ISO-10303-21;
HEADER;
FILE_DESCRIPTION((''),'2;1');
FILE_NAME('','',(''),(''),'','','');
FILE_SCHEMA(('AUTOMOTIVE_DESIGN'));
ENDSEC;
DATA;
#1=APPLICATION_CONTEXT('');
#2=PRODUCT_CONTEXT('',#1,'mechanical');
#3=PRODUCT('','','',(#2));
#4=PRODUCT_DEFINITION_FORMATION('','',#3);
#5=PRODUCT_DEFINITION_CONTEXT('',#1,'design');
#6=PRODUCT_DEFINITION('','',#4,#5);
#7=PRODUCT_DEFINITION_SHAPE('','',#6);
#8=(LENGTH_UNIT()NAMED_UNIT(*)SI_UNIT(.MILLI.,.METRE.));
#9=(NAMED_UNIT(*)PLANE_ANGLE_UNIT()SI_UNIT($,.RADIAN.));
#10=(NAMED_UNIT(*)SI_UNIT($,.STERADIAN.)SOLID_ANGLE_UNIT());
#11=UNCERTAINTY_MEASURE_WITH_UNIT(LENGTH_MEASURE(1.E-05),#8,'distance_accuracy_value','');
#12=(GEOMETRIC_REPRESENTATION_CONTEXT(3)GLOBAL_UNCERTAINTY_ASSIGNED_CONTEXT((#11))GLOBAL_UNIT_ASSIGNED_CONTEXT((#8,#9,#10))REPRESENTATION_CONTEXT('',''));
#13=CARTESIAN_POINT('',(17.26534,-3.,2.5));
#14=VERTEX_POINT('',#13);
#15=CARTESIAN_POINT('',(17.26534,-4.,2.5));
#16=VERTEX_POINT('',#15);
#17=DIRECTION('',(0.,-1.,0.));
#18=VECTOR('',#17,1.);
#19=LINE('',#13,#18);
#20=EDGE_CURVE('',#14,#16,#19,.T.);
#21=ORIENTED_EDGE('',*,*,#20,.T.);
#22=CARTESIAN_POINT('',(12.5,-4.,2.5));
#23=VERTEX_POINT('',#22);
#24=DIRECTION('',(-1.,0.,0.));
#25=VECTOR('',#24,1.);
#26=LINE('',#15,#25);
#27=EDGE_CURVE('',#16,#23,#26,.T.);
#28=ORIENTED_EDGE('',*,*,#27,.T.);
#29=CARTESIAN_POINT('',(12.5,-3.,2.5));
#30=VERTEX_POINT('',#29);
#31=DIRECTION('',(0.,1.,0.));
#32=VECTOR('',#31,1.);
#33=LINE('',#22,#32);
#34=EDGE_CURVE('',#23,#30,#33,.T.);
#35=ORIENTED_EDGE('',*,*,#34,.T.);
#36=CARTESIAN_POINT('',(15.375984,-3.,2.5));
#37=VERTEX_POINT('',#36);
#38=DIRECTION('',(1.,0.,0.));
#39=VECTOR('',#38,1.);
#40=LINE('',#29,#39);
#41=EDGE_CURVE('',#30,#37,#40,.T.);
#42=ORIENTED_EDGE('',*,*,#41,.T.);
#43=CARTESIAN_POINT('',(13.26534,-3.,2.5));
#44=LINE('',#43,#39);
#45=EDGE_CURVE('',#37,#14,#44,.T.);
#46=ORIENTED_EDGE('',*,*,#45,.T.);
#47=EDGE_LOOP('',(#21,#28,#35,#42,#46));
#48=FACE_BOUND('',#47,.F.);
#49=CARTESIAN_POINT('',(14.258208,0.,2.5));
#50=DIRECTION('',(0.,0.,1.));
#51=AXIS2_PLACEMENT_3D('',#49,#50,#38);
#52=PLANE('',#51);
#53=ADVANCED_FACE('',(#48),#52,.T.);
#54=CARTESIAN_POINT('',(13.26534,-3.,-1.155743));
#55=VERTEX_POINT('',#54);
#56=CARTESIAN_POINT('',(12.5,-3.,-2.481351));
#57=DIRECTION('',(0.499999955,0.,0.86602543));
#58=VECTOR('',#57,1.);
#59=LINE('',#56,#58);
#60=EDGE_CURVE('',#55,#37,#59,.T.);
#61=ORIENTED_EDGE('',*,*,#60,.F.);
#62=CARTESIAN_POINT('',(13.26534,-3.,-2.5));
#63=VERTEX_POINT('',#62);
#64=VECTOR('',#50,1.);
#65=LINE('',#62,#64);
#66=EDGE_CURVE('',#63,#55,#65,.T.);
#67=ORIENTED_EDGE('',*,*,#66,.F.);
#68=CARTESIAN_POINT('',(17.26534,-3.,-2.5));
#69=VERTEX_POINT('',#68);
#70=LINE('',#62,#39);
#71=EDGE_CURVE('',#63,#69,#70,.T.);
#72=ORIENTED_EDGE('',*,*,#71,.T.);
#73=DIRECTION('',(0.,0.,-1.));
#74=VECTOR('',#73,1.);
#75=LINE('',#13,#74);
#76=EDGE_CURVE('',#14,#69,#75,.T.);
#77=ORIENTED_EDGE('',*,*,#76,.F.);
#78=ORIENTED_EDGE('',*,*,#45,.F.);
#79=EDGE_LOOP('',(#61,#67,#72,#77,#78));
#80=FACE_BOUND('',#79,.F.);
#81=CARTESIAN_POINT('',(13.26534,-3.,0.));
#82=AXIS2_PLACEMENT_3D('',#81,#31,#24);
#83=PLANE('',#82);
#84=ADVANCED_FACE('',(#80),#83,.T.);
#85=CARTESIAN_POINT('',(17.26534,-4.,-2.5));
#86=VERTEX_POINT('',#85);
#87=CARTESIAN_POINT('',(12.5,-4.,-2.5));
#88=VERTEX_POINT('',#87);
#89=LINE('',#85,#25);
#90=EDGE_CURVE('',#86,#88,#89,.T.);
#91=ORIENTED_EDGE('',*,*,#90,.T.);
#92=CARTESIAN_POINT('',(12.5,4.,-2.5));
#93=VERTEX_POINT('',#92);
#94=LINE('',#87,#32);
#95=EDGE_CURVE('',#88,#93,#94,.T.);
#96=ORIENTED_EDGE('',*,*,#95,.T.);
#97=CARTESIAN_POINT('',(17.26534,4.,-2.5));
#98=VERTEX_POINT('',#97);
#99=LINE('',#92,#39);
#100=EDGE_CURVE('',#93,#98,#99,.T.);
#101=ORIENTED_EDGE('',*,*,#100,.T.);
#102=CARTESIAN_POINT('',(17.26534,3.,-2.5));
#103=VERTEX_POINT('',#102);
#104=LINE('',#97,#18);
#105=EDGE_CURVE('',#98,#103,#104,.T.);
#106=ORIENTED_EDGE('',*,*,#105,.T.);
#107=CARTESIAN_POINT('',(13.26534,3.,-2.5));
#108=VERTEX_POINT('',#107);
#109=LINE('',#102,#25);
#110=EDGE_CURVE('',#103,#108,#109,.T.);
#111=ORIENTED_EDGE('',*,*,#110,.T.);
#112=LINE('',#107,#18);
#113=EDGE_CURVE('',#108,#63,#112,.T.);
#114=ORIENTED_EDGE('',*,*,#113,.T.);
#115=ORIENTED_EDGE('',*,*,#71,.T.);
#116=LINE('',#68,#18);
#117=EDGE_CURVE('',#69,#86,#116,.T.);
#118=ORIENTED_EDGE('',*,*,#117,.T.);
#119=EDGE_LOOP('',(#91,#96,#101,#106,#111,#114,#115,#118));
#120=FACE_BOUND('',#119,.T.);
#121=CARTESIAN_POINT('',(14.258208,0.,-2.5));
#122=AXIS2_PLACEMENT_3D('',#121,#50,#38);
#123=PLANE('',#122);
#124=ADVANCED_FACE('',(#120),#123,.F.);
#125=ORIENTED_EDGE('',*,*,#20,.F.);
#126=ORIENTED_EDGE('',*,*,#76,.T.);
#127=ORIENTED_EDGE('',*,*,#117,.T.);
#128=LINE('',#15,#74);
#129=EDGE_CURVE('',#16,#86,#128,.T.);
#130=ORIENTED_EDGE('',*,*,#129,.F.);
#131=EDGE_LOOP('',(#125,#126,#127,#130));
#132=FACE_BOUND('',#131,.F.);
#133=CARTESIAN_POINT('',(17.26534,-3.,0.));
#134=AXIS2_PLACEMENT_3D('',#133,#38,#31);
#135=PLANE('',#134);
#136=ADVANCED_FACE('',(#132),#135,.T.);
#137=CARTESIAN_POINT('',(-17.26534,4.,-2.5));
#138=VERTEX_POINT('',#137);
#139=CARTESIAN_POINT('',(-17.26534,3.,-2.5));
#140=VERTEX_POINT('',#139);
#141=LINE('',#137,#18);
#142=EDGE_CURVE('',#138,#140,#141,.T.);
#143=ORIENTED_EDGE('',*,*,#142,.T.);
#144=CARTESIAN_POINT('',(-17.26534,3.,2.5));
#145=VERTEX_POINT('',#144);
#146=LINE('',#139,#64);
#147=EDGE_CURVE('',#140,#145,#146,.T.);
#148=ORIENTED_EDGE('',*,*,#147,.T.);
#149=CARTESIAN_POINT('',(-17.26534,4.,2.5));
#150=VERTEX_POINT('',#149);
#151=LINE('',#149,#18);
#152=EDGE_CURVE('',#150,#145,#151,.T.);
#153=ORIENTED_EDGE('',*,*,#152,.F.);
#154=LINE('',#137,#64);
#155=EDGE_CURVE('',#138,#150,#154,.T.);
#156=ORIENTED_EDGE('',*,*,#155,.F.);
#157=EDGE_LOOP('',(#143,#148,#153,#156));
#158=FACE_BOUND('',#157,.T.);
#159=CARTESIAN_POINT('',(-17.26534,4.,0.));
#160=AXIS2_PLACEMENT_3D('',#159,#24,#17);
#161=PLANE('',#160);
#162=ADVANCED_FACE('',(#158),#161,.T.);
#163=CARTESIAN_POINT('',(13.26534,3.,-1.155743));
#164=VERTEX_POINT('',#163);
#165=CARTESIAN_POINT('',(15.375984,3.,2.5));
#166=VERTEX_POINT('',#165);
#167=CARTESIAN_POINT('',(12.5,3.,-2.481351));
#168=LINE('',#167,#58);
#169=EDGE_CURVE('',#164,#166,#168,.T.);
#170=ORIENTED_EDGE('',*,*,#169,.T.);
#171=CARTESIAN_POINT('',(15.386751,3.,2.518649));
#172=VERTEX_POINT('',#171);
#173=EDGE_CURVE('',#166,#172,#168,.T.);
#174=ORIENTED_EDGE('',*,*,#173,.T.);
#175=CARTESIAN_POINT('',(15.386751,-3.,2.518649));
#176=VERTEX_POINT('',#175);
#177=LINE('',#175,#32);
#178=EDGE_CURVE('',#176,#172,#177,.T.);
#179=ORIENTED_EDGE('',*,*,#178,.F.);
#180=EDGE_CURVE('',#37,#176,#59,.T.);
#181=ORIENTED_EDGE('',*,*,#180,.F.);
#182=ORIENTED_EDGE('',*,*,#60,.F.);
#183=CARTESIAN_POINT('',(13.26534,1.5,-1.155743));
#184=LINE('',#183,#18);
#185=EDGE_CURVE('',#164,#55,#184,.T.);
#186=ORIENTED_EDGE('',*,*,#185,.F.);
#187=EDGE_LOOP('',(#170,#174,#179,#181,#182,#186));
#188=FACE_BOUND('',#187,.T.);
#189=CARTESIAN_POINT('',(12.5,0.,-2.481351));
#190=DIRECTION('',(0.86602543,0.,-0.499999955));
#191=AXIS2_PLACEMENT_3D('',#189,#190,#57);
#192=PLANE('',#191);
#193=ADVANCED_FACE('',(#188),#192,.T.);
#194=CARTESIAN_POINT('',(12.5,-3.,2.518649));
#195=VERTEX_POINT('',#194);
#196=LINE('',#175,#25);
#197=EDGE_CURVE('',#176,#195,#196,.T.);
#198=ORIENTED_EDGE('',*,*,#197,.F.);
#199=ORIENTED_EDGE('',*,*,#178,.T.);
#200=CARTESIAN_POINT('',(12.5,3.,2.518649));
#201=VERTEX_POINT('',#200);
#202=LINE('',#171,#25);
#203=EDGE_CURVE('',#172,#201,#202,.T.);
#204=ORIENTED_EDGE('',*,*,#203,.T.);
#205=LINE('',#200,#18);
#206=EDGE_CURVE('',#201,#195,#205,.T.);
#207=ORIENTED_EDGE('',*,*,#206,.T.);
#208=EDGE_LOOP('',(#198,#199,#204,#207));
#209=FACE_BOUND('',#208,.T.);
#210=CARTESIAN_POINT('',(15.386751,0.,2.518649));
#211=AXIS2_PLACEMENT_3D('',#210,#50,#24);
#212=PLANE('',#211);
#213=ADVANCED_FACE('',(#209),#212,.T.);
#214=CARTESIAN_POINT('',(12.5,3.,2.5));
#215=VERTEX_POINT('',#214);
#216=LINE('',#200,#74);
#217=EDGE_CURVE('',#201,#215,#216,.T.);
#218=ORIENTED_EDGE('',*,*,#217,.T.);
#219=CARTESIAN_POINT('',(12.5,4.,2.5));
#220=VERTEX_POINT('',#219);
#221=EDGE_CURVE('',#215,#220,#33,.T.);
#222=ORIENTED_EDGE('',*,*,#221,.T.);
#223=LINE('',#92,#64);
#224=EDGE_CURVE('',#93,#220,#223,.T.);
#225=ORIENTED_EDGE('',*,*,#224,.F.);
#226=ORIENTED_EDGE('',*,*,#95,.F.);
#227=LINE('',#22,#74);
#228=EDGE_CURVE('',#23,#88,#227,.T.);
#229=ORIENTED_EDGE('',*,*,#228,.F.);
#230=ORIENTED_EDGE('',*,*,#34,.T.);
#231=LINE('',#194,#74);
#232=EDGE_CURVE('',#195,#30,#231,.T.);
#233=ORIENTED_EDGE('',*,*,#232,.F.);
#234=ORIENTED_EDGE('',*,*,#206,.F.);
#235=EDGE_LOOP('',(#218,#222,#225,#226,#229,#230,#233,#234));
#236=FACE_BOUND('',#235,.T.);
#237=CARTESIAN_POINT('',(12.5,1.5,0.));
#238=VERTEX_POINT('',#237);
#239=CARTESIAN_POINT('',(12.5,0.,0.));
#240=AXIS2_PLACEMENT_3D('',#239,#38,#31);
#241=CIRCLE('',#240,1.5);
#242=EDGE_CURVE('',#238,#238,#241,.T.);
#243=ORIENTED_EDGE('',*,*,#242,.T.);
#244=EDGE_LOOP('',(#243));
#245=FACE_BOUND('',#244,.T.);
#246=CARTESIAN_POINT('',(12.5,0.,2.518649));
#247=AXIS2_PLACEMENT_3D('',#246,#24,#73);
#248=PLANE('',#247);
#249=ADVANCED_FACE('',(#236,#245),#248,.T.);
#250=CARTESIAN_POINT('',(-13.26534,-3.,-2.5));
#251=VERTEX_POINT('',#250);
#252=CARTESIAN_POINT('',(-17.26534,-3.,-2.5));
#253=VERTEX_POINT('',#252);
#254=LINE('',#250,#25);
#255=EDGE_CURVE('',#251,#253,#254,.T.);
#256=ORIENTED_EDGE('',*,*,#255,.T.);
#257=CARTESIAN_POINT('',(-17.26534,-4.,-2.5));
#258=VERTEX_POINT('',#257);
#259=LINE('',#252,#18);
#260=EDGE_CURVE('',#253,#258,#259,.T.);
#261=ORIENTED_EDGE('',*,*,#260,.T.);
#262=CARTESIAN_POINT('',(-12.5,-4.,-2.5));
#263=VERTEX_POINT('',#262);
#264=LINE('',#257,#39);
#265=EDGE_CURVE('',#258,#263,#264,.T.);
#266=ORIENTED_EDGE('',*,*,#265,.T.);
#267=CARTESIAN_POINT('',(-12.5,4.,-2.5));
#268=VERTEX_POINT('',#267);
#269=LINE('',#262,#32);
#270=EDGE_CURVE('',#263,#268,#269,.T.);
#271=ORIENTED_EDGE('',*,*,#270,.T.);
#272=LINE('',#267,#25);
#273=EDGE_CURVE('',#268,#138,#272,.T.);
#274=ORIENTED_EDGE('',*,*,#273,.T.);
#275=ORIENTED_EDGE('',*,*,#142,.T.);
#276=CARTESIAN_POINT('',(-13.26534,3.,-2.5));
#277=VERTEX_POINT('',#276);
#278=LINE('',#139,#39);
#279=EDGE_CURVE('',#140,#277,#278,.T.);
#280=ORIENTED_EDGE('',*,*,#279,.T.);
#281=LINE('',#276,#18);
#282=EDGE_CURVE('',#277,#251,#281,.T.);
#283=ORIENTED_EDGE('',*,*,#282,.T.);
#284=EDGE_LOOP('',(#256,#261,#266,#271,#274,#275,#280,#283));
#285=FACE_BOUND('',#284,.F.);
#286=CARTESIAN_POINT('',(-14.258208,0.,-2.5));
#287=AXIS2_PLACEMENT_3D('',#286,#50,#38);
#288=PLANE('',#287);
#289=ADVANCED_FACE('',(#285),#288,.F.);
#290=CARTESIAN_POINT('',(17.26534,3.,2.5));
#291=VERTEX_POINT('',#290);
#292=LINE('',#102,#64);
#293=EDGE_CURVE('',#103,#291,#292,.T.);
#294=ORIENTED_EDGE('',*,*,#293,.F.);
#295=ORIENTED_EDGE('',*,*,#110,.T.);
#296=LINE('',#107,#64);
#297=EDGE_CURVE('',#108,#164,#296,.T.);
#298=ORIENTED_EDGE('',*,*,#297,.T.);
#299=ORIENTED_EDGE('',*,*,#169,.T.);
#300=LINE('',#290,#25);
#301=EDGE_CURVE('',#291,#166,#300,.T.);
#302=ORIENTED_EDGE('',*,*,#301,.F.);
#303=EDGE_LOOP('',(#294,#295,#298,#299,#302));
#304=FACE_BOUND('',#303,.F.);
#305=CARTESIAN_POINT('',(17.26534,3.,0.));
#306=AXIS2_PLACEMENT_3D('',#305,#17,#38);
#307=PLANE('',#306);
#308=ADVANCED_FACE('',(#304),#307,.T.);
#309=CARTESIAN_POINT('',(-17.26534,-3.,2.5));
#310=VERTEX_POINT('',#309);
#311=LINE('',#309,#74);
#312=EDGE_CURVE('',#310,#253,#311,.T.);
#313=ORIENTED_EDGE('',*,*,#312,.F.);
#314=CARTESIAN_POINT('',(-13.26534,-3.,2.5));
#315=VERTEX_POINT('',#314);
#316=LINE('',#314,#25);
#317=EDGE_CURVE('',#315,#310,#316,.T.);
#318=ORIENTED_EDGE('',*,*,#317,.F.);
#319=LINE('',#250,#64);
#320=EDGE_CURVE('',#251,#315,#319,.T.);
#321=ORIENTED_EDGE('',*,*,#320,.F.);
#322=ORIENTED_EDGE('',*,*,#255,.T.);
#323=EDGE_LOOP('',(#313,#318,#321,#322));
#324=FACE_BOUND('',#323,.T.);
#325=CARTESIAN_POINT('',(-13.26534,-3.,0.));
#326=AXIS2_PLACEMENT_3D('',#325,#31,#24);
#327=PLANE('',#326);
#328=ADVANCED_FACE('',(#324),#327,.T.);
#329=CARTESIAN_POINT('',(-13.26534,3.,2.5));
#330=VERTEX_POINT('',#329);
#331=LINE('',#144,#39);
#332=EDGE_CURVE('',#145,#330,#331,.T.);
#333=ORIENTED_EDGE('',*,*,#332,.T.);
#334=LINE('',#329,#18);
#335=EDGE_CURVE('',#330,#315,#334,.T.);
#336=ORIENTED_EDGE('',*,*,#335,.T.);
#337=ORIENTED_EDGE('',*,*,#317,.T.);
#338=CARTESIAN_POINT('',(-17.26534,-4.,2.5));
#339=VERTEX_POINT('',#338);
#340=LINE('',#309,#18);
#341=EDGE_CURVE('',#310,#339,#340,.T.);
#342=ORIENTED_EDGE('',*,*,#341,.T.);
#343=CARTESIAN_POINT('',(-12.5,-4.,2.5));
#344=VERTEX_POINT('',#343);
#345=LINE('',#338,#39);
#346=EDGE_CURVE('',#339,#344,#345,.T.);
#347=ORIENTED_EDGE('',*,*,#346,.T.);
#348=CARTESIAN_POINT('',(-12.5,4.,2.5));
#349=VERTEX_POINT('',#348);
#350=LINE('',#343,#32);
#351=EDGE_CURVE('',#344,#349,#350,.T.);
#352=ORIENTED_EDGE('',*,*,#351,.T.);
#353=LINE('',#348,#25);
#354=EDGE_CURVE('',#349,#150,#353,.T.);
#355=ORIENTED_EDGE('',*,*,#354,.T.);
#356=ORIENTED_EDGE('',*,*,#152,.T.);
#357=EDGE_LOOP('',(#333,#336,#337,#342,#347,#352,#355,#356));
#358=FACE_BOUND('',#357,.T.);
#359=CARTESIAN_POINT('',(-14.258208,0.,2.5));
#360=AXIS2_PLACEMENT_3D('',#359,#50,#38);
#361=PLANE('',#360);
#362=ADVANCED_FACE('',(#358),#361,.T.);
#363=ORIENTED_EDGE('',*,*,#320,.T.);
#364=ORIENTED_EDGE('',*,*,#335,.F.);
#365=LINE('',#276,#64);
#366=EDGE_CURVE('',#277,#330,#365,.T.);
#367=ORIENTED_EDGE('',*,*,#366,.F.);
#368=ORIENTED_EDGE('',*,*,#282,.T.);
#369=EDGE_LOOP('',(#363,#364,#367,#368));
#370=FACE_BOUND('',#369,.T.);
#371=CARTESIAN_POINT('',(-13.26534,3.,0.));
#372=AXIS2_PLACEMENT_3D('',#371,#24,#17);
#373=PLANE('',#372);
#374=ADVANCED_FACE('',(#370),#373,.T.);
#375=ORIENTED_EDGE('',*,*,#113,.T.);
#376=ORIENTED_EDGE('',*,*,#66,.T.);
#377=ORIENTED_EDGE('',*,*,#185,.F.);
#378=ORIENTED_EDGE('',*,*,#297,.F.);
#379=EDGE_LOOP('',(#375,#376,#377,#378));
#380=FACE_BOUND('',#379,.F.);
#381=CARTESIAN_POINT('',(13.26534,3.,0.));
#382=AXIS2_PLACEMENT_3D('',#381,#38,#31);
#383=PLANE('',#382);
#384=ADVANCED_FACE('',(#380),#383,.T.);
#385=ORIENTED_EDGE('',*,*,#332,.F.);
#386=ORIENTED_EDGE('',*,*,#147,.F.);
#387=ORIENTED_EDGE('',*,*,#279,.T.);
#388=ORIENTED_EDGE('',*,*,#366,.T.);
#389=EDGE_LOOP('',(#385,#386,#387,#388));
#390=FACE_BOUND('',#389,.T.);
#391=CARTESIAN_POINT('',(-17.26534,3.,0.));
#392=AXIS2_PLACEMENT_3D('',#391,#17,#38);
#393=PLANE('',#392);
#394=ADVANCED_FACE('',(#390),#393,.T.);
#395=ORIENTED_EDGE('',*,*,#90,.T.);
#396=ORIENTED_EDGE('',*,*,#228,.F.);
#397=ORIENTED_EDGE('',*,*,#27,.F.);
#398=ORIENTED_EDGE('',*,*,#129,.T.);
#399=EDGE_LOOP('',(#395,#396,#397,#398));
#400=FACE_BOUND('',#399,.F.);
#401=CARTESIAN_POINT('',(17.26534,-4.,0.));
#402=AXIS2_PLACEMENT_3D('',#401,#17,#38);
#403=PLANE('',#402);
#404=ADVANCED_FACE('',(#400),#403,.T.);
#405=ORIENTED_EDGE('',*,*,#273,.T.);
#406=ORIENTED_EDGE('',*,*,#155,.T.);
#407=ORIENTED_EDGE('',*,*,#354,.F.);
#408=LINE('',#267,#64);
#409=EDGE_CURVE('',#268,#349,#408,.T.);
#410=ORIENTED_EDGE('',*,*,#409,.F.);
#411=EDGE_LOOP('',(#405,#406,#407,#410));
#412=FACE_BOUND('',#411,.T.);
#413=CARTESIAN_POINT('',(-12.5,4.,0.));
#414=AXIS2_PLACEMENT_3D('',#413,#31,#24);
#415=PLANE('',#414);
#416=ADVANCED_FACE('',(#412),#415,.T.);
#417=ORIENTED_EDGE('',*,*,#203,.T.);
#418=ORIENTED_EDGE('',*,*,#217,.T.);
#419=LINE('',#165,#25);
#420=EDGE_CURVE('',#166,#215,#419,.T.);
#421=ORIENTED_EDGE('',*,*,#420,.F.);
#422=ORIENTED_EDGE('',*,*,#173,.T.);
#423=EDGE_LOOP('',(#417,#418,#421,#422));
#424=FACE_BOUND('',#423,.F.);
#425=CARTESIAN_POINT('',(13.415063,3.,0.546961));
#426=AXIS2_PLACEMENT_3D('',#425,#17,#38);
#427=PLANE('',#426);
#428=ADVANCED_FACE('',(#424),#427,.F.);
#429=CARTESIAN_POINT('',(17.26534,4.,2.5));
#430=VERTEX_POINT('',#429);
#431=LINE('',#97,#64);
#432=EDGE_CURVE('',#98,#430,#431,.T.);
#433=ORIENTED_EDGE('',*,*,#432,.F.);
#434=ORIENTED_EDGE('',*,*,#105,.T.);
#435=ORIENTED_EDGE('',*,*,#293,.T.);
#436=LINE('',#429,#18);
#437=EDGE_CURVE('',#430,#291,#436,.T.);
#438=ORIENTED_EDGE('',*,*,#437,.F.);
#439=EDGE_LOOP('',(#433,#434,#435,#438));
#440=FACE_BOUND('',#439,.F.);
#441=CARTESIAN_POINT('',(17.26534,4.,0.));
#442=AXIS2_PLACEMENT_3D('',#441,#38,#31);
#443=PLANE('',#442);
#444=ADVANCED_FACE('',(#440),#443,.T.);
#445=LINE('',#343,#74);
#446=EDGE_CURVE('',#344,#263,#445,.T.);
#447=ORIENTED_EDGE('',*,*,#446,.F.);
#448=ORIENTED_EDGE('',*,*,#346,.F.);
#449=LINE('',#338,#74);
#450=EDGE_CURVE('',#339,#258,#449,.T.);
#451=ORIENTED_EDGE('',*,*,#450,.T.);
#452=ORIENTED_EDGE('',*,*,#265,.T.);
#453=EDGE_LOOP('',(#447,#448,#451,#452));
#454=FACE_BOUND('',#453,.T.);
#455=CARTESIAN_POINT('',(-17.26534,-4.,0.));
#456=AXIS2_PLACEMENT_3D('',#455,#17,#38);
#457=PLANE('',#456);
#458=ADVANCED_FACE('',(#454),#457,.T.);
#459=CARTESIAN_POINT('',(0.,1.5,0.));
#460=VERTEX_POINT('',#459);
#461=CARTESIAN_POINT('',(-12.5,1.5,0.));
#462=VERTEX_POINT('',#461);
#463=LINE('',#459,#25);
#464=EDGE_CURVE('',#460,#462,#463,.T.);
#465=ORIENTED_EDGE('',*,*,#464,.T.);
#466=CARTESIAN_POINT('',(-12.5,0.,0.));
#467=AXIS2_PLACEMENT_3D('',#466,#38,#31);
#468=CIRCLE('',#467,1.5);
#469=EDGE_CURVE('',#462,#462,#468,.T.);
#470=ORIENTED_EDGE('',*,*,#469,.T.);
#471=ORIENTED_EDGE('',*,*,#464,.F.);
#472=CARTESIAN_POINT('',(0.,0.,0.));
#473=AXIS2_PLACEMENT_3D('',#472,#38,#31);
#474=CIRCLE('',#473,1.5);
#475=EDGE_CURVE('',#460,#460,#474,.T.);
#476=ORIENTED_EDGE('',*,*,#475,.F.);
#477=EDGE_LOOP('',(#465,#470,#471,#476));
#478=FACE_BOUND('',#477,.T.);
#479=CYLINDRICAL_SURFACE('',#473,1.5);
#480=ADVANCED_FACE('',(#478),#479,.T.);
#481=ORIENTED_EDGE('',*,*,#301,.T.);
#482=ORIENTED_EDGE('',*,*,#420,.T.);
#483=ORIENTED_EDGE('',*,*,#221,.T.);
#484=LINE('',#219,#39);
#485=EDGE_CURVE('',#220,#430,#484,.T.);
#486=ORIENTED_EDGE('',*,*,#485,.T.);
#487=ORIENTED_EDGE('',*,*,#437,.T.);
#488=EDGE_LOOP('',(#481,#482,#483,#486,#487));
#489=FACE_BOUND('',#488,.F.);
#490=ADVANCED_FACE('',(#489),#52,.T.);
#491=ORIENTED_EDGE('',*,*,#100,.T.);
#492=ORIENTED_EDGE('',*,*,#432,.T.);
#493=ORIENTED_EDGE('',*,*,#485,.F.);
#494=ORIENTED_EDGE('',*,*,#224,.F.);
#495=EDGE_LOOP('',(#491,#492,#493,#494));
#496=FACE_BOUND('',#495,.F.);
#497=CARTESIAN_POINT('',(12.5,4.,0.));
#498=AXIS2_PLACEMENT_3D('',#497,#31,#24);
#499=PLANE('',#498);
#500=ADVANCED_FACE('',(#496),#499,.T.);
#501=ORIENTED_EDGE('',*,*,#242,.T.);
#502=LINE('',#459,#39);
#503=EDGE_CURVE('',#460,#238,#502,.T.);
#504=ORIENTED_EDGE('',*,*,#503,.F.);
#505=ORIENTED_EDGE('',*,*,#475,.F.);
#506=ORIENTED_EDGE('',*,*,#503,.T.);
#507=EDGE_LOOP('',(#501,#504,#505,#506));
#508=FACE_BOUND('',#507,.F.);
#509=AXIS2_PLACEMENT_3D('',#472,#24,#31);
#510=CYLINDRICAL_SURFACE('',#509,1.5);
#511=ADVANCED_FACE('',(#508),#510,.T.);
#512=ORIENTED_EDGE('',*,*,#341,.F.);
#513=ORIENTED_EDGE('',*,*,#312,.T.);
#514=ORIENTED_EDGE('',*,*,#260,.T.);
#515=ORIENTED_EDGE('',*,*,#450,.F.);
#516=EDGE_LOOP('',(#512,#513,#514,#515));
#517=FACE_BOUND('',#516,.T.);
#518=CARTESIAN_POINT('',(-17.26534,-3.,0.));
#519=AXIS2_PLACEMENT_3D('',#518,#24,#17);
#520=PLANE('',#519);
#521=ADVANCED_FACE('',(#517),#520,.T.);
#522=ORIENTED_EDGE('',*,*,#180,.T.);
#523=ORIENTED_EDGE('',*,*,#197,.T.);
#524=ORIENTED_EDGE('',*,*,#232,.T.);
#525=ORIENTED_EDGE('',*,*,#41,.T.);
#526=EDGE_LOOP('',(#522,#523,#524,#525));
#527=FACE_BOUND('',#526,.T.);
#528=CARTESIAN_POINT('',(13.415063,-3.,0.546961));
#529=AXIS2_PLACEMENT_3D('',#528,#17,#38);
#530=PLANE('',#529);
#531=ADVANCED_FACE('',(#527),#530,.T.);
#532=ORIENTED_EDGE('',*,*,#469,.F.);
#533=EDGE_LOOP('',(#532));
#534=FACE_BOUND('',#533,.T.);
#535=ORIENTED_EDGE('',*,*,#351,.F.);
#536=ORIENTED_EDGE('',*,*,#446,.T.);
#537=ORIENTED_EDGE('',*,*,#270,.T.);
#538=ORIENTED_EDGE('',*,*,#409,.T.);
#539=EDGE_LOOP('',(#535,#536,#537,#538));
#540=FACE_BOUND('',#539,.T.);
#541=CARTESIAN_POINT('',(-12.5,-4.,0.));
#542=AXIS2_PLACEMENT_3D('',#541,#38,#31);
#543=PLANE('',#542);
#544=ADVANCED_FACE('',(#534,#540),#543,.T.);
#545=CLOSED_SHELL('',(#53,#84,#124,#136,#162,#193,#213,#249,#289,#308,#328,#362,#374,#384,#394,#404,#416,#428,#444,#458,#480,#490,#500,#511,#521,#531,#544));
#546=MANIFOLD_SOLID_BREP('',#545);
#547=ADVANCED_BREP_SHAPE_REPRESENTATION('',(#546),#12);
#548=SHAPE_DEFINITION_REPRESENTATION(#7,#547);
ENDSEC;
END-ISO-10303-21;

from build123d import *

# Parameters (mm, degrees)
F0_R     = 1.5
F1_DEPTH = 12.5
F3_DEPTH = 2.5
F6_DEPTH = 3


with BuildPart() as f1:
    # F0 (on Right) → F1 (new body)
    with BuildSketch(Plane.YZ):
        Circle(F0_R)
    extrude(amount=-F1_DEPTH)

    # F2 (on Top) → F3 (join, symmetric)
    with BuildSketch(Plane.XY):
        Polygon((-12.5, -4), (-12.5, 4), (-17.26534, 4), (-17.26534, 3), (-13.26534, 3), (-13.26534, -3), (-17.26534, -3), (-17.26534, -4), align=None)
    extrude(amount=F3_DEPTH, both=True)

    # F4: F1 across plane


with BuildPart() as f1_1:
    add(f1.part)
    add(f1.part.mirror(Plane.YZ))

    # F5 (on Front) → F6 (join, symmetric)
    with BuildSketch(Plane.XZ):
        Polygon((15.386751, 2.518649), (12.5, 2.518649), (12.5, -2.481351), align=None)
    extrude(amount=F6_DEPTH, both=True)


solid = f1_1.part
